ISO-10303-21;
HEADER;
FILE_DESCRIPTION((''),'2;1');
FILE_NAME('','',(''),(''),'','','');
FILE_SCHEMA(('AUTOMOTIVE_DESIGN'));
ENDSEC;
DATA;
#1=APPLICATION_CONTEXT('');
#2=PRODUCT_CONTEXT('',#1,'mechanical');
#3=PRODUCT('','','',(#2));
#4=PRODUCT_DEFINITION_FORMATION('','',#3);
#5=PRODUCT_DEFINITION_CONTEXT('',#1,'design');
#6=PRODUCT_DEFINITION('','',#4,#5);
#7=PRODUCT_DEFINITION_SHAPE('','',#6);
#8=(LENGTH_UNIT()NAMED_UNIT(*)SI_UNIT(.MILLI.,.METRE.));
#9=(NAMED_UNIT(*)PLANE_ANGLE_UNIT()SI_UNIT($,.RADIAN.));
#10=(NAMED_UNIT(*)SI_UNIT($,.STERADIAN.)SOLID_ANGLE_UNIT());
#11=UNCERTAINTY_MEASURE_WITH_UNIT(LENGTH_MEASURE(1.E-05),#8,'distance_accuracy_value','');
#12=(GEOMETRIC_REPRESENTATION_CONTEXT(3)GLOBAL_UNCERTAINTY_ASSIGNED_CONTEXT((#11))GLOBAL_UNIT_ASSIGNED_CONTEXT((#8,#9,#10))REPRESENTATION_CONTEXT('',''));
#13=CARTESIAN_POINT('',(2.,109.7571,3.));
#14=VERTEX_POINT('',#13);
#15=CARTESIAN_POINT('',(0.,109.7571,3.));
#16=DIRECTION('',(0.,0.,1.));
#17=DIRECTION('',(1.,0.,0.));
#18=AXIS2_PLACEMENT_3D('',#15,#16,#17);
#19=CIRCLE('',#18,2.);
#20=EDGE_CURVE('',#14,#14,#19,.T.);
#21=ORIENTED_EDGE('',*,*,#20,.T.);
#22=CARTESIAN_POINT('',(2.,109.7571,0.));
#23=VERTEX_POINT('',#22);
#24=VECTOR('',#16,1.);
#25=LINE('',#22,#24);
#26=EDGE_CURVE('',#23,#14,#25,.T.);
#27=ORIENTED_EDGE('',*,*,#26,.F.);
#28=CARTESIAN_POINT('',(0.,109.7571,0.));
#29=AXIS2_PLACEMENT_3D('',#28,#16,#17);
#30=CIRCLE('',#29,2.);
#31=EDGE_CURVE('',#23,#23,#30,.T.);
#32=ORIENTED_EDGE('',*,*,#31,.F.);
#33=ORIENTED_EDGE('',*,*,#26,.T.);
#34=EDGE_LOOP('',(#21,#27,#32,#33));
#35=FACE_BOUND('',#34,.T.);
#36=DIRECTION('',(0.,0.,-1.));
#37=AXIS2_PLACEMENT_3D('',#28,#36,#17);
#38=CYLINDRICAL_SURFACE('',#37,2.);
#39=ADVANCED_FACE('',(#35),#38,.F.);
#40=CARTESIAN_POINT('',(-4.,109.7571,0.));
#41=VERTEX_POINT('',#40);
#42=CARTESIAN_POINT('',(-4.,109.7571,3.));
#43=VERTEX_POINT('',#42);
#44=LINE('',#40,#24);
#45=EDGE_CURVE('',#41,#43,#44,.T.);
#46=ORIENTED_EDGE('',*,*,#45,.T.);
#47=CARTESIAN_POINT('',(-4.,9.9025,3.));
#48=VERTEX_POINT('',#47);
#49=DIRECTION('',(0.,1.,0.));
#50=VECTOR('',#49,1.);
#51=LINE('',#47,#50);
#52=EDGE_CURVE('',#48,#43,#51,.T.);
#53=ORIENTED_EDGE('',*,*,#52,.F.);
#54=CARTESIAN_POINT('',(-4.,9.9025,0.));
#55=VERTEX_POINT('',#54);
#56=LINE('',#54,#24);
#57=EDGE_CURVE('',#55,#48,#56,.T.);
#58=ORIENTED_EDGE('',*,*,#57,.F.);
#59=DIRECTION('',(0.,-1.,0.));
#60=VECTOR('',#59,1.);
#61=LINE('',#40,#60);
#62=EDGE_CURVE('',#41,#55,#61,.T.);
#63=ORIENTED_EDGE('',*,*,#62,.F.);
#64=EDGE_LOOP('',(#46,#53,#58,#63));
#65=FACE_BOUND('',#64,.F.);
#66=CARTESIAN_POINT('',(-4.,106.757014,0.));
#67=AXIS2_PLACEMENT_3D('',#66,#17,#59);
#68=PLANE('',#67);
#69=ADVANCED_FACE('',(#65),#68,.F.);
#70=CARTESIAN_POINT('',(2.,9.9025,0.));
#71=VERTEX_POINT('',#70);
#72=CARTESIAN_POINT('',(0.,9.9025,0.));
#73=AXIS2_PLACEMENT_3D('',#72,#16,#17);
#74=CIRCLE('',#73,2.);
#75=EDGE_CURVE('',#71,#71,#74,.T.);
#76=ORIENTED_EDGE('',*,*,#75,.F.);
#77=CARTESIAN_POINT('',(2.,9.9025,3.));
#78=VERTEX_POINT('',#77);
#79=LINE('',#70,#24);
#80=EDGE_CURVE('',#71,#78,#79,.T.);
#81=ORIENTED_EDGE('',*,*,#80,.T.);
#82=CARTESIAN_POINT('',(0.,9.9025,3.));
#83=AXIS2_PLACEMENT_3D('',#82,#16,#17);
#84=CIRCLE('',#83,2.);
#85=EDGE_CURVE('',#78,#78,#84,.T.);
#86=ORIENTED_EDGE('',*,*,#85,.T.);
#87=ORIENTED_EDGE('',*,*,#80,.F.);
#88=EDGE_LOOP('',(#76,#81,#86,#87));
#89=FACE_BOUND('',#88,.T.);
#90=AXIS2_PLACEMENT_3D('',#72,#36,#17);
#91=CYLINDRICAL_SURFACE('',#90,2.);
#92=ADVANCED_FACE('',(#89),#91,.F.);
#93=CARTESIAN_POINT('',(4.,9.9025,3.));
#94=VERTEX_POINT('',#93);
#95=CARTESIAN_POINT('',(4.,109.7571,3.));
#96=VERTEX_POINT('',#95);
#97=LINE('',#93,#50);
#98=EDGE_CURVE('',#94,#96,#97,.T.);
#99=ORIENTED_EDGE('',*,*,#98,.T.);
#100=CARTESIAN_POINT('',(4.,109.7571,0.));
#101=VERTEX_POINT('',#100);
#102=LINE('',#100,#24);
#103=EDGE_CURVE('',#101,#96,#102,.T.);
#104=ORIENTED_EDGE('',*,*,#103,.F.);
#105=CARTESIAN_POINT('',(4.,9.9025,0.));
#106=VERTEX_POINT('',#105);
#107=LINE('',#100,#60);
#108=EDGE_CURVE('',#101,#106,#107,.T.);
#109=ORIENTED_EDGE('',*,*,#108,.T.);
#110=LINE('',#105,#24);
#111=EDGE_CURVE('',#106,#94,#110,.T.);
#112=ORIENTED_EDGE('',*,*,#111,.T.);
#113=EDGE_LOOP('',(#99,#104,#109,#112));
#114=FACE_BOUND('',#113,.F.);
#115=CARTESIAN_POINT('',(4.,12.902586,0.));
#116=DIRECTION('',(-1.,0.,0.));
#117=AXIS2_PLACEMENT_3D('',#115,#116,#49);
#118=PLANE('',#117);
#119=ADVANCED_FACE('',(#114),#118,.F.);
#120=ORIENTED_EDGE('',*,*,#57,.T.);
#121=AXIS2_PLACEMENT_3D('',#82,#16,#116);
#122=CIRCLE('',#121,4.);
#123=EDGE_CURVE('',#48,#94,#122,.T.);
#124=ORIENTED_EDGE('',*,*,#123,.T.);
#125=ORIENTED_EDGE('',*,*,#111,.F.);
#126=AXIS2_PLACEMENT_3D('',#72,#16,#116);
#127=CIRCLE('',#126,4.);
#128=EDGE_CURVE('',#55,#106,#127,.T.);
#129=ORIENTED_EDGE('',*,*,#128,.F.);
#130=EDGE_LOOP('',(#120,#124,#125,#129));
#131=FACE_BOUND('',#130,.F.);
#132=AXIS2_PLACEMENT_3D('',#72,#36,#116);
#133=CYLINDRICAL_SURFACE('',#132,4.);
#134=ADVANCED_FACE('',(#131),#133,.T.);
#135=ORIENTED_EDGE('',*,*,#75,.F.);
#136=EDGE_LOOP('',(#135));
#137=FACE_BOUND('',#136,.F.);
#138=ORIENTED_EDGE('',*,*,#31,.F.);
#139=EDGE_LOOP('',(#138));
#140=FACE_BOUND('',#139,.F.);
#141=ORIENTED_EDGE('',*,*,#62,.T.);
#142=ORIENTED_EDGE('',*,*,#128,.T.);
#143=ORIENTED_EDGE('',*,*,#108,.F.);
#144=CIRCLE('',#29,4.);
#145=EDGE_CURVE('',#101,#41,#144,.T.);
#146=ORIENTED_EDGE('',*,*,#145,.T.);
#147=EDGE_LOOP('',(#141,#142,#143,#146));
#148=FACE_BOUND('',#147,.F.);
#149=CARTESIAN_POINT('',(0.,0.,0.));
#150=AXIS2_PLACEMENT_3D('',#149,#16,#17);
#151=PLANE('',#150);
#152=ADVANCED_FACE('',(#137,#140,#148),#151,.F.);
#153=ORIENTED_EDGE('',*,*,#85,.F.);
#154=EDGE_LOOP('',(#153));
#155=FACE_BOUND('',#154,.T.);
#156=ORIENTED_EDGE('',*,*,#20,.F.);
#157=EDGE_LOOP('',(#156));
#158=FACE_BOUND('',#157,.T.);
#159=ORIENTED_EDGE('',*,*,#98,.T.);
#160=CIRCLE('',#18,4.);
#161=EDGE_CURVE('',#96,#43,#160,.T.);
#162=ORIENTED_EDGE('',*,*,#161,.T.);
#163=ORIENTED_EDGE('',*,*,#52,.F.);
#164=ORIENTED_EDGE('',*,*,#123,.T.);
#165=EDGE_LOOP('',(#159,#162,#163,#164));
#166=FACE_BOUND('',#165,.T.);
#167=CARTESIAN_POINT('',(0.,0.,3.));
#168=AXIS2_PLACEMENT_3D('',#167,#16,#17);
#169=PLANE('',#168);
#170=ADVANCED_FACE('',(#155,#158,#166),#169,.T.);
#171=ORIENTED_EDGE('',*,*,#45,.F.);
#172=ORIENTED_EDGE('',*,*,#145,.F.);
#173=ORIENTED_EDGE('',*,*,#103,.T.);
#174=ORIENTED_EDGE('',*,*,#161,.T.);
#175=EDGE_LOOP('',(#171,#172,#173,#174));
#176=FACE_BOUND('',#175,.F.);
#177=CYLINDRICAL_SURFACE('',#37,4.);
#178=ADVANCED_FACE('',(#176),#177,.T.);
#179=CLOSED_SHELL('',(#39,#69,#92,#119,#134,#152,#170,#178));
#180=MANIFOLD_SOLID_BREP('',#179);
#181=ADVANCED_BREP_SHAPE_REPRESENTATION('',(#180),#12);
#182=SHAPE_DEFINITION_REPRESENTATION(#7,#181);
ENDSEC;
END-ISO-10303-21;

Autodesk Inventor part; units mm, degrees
ref_plane "YZ Plane" through (0, 0, 0) normal (1, 0, 0) x (0, 1, 0)
ref_plane "XZ Plane" through (0, 0, 0) normal (0, 1, 0) x (-1, 0, 0)
ref_plane "XY Plane" through (0, 0, 0) normal (0, 0, 1) x (1, 0, 0)
ref_plane "Work Plane1" through (0, 0, 0) normal (0, 0, 1) x (1, 0, 0)
sketch "Sketch1" plane through (0, 0, 0) normal (0, 0, 1) x (1, 0, 0)
  line L0 (-4.7216, 11.5478) -> (-13.9385, -14.9025) projected
  line L1 (-13.9385, -14.9025) -> (13.9385, -14.9025) projected
  line L2 (13.9385, -14.9025) -> (4.7216, 11.5478) projected
  arc A0 (4.7216, 11.5478) -> (-4.7216, 11.5478) centre (0, 9.9025) ccw projected
  circle A1 centre (0, 9.9025) radius 2 projected
  line L3 (2, 139.4798) -> (-2, 139.4798) projected
  line L4 (4.7216, 108.1118) -> (13.9385, 134.5621) projected
  line L5 (13.9385, 134.5621) -> (-13.9385, 134.5621) projected
  line L6 (-13.9385, 134.5621) -> (-4.7216, 108.1118) projected
  arc A2 (-4.7216, 108.1118) -> (4.7216, 108.1118) centre (0, 109.7571) ccw projected
  circle A3 centre (0, 109.7571) radius 2 projected
  line L7 (0, 9.9025) -> (0, 109.7571) construction
  line L8 (4, 9.9025) -> (4, 109.7571)
  line L9 (-4, 109.7571) -> (-4, 9.9025)
  arc A4 (-4, 9.9025) -> (4, 9.9025) centre (0, 9.9025) ccw
  arc A5 (4, 109.7571) -> (-4, 109.7571) centre (0, 109.7571) ccw
  point P0 (0, 0)
  point P1 (0, 59.8298)
  dimension "d0" = 8
extrude "Extrusion1" add sketch "Sketch1" along normal blind 3 contours L9 A2 L8 A0 | A0 L8 A4 L9 | L9 A5 L8 A2
properties part number "horizontal truss top"
